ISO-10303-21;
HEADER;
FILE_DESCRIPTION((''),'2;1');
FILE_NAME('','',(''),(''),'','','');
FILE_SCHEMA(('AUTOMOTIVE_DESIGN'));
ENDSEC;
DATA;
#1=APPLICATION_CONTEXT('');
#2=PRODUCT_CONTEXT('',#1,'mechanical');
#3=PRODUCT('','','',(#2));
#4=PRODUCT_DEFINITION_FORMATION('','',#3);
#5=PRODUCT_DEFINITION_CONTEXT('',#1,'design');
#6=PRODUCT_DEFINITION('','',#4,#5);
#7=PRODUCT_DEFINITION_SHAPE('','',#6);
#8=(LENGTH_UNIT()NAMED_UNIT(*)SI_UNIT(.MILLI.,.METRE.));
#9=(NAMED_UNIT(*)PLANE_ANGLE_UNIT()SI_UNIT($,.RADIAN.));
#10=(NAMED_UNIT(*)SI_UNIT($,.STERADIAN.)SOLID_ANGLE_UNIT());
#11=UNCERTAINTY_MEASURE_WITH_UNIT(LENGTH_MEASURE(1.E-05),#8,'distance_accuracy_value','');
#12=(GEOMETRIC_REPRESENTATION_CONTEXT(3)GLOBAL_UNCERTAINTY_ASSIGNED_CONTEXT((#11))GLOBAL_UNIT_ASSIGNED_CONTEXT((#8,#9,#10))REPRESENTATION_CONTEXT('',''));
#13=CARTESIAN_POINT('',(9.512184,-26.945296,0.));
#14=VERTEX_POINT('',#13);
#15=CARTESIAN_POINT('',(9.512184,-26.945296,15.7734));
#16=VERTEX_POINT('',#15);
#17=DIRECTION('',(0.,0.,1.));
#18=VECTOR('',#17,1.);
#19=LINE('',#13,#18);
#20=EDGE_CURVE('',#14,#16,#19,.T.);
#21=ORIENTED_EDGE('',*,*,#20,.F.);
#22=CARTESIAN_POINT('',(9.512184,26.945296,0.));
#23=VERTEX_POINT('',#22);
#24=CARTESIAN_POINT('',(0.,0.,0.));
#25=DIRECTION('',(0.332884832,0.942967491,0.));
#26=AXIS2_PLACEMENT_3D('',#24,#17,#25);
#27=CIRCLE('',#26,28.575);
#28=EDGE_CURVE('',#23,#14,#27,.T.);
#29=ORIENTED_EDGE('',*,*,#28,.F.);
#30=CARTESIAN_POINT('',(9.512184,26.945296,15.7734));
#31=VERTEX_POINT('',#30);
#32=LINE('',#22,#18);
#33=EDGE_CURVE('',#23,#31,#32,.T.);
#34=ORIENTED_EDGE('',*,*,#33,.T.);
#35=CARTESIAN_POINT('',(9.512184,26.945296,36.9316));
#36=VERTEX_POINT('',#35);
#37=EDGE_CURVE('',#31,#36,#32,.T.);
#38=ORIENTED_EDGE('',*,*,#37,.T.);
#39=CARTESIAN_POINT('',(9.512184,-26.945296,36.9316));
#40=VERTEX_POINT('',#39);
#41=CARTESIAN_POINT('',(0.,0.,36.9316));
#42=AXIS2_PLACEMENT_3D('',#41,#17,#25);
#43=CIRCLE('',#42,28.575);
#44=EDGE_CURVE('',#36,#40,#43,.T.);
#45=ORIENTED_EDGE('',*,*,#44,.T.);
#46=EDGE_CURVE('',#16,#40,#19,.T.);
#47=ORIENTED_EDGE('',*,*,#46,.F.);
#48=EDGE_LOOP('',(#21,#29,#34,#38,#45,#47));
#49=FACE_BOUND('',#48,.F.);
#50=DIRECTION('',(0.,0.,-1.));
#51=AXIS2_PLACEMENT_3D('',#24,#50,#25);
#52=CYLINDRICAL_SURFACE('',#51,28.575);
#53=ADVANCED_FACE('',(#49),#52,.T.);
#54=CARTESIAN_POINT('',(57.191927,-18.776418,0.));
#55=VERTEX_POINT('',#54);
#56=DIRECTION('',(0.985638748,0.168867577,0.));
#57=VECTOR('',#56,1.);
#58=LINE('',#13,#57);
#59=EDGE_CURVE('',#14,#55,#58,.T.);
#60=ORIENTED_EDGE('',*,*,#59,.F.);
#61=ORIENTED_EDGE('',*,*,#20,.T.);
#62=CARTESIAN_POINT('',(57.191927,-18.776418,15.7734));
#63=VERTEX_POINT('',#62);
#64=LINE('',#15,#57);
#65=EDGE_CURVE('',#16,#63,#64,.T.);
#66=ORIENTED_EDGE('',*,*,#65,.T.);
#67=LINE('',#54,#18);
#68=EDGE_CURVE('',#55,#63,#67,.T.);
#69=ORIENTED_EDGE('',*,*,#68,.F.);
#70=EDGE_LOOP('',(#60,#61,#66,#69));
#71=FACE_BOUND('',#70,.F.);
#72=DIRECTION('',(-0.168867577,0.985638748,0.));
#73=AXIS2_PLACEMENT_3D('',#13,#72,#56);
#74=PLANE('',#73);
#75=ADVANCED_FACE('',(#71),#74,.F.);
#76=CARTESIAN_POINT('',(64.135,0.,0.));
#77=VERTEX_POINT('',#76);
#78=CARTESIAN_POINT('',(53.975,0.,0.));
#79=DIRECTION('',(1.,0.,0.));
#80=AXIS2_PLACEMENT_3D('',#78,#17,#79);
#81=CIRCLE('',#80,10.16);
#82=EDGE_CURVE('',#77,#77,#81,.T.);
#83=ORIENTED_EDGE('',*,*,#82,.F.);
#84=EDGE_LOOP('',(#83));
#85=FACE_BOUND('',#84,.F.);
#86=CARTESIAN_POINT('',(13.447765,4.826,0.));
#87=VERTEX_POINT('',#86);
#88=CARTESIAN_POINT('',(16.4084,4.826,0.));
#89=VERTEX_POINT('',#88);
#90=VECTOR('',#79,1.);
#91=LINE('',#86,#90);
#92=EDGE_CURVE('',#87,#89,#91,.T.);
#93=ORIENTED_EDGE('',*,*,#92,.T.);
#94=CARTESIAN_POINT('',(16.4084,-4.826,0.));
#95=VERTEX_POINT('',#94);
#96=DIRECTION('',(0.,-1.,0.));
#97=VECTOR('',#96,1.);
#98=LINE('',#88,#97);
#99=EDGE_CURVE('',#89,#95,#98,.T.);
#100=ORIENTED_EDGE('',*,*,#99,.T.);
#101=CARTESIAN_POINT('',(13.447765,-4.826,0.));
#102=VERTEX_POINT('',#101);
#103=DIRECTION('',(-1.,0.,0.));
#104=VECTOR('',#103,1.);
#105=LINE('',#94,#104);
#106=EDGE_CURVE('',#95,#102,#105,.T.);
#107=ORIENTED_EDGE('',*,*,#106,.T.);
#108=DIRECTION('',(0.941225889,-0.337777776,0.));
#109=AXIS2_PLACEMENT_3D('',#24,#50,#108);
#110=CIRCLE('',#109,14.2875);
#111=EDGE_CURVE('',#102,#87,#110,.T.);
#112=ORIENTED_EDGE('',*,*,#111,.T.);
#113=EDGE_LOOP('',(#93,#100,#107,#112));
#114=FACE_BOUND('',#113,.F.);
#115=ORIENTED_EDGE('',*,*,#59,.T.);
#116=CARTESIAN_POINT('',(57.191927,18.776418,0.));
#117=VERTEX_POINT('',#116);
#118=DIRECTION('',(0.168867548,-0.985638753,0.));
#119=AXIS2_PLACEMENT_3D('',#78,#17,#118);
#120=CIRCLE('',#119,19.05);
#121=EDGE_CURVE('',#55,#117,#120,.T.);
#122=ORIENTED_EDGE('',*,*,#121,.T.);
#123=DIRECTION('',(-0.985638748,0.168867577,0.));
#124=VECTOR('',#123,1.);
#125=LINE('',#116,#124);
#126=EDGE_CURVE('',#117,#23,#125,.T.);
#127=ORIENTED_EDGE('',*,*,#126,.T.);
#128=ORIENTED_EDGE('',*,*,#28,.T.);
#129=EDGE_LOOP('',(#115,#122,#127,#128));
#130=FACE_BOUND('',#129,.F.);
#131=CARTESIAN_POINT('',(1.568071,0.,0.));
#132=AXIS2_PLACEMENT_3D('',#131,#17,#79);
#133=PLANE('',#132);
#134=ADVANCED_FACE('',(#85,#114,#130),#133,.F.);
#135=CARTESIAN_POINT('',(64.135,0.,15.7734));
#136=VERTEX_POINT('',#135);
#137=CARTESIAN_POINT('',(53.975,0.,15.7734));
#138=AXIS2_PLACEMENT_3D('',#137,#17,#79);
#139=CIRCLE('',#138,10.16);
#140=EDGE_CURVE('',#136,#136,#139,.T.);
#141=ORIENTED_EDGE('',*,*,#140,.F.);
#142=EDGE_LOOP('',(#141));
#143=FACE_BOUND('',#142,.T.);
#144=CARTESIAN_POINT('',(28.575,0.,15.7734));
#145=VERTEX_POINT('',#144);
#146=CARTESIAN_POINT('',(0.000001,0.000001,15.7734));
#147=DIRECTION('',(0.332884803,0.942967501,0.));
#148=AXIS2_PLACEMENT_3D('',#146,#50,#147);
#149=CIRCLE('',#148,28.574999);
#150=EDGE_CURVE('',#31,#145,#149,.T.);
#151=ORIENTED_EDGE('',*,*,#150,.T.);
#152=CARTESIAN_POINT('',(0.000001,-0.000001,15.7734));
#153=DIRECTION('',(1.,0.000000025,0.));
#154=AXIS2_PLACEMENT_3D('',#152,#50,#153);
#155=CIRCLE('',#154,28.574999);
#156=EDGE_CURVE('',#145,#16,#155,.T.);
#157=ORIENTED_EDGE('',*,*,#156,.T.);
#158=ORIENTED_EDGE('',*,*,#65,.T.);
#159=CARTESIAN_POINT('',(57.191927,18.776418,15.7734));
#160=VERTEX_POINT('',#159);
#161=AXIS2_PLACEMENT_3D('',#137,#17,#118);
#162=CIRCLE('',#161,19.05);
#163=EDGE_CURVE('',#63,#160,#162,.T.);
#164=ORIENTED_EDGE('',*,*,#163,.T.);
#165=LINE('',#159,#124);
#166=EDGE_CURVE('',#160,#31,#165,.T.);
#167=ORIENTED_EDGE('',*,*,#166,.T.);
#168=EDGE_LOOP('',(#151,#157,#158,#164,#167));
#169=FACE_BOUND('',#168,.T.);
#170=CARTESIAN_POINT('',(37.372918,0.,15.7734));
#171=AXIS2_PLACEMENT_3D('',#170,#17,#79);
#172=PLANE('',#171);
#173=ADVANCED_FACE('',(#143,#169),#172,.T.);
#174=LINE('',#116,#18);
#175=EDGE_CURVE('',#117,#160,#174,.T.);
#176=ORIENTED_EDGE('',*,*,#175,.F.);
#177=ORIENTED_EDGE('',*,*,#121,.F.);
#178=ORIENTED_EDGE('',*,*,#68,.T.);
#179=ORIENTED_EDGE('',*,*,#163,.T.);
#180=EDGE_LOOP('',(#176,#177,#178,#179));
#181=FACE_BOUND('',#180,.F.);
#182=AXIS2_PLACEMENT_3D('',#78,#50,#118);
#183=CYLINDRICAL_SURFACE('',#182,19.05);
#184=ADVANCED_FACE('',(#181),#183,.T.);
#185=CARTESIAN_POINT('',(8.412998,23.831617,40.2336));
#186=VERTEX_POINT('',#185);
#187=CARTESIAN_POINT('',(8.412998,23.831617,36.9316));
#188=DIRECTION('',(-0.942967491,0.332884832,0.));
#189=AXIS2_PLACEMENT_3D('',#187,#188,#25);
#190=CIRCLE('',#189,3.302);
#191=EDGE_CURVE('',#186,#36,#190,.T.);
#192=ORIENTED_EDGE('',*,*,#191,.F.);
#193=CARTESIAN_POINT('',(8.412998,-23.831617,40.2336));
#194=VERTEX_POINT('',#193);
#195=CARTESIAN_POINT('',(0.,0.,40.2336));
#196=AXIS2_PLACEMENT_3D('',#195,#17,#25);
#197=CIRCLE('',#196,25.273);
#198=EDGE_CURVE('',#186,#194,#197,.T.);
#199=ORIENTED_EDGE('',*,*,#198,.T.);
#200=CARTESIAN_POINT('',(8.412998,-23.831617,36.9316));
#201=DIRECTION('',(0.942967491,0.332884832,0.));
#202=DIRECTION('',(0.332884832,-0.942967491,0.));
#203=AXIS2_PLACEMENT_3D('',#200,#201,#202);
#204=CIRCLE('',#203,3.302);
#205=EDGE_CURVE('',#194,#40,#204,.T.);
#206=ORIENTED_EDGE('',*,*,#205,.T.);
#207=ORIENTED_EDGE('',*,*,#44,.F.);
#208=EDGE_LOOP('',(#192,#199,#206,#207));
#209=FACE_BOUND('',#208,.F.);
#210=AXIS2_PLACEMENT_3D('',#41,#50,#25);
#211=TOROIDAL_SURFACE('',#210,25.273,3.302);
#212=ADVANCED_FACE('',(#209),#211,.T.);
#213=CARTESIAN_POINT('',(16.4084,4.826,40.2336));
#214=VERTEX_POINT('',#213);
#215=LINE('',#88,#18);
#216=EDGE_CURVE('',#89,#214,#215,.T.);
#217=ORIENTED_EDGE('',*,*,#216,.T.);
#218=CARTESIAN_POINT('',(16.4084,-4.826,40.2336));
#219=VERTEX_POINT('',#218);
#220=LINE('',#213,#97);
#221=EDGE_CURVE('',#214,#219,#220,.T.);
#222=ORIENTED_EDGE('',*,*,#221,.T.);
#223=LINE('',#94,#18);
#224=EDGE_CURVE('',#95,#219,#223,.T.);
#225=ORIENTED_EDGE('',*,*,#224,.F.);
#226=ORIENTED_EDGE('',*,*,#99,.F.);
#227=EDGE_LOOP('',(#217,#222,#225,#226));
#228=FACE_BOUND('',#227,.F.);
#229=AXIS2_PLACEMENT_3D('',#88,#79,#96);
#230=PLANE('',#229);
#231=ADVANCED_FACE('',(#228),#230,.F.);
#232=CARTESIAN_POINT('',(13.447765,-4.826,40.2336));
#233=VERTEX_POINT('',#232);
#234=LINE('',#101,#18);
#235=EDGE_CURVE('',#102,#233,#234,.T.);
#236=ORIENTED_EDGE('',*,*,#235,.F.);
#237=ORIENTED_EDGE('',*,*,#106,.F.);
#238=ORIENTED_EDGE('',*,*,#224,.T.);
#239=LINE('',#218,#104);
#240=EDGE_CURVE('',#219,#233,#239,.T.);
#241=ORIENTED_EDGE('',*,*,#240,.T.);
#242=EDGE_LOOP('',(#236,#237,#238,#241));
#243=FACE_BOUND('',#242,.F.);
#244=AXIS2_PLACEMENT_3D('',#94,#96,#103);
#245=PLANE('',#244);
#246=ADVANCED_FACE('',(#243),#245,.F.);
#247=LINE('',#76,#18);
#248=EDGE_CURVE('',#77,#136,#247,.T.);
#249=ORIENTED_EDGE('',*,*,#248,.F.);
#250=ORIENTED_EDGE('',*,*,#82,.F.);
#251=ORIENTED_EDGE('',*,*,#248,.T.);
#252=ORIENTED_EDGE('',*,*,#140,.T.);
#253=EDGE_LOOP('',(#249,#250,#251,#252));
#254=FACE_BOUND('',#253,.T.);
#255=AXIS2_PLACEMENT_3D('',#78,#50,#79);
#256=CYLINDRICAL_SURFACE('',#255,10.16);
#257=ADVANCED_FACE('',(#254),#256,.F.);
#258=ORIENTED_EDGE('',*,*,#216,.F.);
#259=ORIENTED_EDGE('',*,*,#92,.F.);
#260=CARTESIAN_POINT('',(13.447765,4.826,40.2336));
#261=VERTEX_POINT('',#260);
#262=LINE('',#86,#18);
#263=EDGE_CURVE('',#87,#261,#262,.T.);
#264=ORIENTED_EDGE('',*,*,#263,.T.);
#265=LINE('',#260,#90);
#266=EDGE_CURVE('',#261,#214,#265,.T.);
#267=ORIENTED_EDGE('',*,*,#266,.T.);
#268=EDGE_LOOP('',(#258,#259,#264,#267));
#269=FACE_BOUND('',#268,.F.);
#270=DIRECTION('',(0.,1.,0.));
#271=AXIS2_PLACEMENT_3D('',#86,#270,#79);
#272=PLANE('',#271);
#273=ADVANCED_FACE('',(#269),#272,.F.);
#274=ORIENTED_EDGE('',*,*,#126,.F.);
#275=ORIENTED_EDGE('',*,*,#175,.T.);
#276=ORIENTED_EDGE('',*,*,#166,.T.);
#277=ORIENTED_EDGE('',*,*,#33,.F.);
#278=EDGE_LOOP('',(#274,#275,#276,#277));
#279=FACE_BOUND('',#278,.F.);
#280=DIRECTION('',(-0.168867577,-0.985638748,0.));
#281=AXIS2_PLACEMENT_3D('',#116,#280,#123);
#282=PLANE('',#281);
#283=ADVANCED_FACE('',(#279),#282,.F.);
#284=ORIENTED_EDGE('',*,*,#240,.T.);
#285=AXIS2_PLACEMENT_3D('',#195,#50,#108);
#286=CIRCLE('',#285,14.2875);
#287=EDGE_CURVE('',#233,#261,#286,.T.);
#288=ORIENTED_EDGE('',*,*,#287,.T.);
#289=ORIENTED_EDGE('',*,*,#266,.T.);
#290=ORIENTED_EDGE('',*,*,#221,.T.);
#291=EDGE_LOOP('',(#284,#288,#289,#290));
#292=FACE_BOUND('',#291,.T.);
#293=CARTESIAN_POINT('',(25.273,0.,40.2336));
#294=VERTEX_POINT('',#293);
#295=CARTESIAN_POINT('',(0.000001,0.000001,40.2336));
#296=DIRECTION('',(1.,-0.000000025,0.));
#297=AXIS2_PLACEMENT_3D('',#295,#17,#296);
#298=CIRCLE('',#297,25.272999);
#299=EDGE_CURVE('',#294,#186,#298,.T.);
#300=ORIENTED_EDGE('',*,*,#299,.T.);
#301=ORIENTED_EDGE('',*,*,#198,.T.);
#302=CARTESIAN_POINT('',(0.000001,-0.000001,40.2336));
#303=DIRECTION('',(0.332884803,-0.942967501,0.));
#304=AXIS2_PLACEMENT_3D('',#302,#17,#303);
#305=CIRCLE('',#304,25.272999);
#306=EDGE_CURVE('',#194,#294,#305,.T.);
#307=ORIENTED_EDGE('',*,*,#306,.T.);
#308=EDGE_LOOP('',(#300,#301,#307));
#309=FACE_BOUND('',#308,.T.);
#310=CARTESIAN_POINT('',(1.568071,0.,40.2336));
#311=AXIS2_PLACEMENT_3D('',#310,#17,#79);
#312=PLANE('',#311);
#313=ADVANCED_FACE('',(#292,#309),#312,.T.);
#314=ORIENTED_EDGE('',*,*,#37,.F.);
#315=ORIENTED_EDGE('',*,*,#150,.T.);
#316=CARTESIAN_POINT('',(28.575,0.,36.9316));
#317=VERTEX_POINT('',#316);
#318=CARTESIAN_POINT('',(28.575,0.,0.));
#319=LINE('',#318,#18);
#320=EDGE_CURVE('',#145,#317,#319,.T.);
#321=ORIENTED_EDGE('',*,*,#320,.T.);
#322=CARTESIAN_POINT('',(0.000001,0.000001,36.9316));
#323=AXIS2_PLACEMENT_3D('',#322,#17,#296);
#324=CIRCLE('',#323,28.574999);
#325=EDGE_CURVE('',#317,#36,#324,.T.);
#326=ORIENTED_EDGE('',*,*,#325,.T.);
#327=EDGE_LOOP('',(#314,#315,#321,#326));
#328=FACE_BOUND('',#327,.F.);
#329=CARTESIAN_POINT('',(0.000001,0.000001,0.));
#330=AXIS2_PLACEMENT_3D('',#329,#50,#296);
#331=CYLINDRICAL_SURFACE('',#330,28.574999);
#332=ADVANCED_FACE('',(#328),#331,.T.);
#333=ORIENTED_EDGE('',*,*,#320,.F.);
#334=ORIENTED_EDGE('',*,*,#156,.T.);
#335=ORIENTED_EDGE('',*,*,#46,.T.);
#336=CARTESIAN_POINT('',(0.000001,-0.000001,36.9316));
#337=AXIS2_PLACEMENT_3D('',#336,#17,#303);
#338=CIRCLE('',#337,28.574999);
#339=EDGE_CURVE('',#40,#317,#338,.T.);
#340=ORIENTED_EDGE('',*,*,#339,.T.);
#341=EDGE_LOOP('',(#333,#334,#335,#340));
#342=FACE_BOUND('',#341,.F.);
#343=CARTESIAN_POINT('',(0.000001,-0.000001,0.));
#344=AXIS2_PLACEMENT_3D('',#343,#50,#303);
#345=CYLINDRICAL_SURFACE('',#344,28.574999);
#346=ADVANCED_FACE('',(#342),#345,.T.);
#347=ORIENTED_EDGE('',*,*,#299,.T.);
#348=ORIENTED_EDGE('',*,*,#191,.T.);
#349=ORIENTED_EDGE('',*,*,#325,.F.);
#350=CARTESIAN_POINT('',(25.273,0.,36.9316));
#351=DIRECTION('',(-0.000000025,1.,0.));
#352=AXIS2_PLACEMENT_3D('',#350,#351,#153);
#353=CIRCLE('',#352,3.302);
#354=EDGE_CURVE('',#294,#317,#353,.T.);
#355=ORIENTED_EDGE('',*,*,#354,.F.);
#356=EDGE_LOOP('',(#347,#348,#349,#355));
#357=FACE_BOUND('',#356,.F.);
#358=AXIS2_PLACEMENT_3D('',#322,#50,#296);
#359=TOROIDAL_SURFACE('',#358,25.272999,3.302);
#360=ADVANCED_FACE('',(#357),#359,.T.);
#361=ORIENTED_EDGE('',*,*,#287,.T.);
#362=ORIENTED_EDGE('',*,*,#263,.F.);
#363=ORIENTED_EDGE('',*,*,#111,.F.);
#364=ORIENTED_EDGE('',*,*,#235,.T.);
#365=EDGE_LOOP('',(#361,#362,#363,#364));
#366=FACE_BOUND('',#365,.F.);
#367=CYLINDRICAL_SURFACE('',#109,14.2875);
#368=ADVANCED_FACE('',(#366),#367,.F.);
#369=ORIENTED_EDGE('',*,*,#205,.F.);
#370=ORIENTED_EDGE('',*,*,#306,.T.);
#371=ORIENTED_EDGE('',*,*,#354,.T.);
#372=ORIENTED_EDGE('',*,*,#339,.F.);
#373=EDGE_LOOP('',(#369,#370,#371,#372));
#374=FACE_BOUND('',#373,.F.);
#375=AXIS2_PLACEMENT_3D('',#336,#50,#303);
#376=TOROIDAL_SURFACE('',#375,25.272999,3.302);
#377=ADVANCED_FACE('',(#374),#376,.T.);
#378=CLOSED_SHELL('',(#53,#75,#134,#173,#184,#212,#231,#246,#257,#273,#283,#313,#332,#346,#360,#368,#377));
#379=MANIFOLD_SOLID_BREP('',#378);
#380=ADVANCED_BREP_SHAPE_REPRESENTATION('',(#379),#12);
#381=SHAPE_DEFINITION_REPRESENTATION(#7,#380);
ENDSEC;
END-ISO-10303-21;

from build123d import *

# Parameters (mm, degrees)
F0_R     = 10.16
F1_DEPTH = 15.7734
F2_DEPTH = 40.2336
F3_R     = 3.302


with BuildPart() as f1:
    # F0 (on Top) → F1 (new body)
    with BuildSketch(Plane.XY):
        with BuildLine():
            ThreePointArc((9.512184, 26.945296), (23.327466, 16.503332), (28.575, 0))
            ThreePointArc((28.575, 0), (23.327466, -16.503332), (9.512184, -26.945296))
            Line((9.512184, -26.945296), (57.191927, -18.776418))
            ThreePointArc((57.191927, -18.776418), (73.025, 0), (57.191927, 18.776418))
            Line((57.191927, 18.776418), (9.512184, 26.945296))
        make_face()
        with Locations((53.975, 0)):
            Circle(F0_R, mode=Mode.SUBTRACT)
    extrude(amount=F1_DEPTH)

    # F0 (on Top) → F2 (join)
    with BuildSketch(Plane.XY):
        with BuildLine():
            ThreePointArc((9.512184, -26.945296), (23.327466, -16.503332), (28.575, 0))
            ThreePointArc((28.575, 0), (23.327466, 16.503332), (9.512184, 26.945296))
            ThreePointArc((9.512184, 26.945296), (-28.575, 0), (9.512184, -26.945296))
        make_face()
        with BuildLine():
            ThreePointArc((13.447765, -4.826), (-14.2875, 0), (13.447765, 4.826))
            Line((13.447765, 4.826), (16.4084, 4.826))
            Line((16.4084, 4.826), (16.4084, -4.826))
            Line((16.4084, -4.826), (13.447765, -4.826))
        make_face(mode=Mode.SUBTRACT)
    extrude(amount=F2_DEPTH)

    # F3
    f3_edges = [f1.edges().sort_by_distance(p)[0] for p in [
        (-9.512184, 26.945296, 40.2336),
    ]]
    fillet(f3_edges, radius=F3_R)


solid = f1.part
